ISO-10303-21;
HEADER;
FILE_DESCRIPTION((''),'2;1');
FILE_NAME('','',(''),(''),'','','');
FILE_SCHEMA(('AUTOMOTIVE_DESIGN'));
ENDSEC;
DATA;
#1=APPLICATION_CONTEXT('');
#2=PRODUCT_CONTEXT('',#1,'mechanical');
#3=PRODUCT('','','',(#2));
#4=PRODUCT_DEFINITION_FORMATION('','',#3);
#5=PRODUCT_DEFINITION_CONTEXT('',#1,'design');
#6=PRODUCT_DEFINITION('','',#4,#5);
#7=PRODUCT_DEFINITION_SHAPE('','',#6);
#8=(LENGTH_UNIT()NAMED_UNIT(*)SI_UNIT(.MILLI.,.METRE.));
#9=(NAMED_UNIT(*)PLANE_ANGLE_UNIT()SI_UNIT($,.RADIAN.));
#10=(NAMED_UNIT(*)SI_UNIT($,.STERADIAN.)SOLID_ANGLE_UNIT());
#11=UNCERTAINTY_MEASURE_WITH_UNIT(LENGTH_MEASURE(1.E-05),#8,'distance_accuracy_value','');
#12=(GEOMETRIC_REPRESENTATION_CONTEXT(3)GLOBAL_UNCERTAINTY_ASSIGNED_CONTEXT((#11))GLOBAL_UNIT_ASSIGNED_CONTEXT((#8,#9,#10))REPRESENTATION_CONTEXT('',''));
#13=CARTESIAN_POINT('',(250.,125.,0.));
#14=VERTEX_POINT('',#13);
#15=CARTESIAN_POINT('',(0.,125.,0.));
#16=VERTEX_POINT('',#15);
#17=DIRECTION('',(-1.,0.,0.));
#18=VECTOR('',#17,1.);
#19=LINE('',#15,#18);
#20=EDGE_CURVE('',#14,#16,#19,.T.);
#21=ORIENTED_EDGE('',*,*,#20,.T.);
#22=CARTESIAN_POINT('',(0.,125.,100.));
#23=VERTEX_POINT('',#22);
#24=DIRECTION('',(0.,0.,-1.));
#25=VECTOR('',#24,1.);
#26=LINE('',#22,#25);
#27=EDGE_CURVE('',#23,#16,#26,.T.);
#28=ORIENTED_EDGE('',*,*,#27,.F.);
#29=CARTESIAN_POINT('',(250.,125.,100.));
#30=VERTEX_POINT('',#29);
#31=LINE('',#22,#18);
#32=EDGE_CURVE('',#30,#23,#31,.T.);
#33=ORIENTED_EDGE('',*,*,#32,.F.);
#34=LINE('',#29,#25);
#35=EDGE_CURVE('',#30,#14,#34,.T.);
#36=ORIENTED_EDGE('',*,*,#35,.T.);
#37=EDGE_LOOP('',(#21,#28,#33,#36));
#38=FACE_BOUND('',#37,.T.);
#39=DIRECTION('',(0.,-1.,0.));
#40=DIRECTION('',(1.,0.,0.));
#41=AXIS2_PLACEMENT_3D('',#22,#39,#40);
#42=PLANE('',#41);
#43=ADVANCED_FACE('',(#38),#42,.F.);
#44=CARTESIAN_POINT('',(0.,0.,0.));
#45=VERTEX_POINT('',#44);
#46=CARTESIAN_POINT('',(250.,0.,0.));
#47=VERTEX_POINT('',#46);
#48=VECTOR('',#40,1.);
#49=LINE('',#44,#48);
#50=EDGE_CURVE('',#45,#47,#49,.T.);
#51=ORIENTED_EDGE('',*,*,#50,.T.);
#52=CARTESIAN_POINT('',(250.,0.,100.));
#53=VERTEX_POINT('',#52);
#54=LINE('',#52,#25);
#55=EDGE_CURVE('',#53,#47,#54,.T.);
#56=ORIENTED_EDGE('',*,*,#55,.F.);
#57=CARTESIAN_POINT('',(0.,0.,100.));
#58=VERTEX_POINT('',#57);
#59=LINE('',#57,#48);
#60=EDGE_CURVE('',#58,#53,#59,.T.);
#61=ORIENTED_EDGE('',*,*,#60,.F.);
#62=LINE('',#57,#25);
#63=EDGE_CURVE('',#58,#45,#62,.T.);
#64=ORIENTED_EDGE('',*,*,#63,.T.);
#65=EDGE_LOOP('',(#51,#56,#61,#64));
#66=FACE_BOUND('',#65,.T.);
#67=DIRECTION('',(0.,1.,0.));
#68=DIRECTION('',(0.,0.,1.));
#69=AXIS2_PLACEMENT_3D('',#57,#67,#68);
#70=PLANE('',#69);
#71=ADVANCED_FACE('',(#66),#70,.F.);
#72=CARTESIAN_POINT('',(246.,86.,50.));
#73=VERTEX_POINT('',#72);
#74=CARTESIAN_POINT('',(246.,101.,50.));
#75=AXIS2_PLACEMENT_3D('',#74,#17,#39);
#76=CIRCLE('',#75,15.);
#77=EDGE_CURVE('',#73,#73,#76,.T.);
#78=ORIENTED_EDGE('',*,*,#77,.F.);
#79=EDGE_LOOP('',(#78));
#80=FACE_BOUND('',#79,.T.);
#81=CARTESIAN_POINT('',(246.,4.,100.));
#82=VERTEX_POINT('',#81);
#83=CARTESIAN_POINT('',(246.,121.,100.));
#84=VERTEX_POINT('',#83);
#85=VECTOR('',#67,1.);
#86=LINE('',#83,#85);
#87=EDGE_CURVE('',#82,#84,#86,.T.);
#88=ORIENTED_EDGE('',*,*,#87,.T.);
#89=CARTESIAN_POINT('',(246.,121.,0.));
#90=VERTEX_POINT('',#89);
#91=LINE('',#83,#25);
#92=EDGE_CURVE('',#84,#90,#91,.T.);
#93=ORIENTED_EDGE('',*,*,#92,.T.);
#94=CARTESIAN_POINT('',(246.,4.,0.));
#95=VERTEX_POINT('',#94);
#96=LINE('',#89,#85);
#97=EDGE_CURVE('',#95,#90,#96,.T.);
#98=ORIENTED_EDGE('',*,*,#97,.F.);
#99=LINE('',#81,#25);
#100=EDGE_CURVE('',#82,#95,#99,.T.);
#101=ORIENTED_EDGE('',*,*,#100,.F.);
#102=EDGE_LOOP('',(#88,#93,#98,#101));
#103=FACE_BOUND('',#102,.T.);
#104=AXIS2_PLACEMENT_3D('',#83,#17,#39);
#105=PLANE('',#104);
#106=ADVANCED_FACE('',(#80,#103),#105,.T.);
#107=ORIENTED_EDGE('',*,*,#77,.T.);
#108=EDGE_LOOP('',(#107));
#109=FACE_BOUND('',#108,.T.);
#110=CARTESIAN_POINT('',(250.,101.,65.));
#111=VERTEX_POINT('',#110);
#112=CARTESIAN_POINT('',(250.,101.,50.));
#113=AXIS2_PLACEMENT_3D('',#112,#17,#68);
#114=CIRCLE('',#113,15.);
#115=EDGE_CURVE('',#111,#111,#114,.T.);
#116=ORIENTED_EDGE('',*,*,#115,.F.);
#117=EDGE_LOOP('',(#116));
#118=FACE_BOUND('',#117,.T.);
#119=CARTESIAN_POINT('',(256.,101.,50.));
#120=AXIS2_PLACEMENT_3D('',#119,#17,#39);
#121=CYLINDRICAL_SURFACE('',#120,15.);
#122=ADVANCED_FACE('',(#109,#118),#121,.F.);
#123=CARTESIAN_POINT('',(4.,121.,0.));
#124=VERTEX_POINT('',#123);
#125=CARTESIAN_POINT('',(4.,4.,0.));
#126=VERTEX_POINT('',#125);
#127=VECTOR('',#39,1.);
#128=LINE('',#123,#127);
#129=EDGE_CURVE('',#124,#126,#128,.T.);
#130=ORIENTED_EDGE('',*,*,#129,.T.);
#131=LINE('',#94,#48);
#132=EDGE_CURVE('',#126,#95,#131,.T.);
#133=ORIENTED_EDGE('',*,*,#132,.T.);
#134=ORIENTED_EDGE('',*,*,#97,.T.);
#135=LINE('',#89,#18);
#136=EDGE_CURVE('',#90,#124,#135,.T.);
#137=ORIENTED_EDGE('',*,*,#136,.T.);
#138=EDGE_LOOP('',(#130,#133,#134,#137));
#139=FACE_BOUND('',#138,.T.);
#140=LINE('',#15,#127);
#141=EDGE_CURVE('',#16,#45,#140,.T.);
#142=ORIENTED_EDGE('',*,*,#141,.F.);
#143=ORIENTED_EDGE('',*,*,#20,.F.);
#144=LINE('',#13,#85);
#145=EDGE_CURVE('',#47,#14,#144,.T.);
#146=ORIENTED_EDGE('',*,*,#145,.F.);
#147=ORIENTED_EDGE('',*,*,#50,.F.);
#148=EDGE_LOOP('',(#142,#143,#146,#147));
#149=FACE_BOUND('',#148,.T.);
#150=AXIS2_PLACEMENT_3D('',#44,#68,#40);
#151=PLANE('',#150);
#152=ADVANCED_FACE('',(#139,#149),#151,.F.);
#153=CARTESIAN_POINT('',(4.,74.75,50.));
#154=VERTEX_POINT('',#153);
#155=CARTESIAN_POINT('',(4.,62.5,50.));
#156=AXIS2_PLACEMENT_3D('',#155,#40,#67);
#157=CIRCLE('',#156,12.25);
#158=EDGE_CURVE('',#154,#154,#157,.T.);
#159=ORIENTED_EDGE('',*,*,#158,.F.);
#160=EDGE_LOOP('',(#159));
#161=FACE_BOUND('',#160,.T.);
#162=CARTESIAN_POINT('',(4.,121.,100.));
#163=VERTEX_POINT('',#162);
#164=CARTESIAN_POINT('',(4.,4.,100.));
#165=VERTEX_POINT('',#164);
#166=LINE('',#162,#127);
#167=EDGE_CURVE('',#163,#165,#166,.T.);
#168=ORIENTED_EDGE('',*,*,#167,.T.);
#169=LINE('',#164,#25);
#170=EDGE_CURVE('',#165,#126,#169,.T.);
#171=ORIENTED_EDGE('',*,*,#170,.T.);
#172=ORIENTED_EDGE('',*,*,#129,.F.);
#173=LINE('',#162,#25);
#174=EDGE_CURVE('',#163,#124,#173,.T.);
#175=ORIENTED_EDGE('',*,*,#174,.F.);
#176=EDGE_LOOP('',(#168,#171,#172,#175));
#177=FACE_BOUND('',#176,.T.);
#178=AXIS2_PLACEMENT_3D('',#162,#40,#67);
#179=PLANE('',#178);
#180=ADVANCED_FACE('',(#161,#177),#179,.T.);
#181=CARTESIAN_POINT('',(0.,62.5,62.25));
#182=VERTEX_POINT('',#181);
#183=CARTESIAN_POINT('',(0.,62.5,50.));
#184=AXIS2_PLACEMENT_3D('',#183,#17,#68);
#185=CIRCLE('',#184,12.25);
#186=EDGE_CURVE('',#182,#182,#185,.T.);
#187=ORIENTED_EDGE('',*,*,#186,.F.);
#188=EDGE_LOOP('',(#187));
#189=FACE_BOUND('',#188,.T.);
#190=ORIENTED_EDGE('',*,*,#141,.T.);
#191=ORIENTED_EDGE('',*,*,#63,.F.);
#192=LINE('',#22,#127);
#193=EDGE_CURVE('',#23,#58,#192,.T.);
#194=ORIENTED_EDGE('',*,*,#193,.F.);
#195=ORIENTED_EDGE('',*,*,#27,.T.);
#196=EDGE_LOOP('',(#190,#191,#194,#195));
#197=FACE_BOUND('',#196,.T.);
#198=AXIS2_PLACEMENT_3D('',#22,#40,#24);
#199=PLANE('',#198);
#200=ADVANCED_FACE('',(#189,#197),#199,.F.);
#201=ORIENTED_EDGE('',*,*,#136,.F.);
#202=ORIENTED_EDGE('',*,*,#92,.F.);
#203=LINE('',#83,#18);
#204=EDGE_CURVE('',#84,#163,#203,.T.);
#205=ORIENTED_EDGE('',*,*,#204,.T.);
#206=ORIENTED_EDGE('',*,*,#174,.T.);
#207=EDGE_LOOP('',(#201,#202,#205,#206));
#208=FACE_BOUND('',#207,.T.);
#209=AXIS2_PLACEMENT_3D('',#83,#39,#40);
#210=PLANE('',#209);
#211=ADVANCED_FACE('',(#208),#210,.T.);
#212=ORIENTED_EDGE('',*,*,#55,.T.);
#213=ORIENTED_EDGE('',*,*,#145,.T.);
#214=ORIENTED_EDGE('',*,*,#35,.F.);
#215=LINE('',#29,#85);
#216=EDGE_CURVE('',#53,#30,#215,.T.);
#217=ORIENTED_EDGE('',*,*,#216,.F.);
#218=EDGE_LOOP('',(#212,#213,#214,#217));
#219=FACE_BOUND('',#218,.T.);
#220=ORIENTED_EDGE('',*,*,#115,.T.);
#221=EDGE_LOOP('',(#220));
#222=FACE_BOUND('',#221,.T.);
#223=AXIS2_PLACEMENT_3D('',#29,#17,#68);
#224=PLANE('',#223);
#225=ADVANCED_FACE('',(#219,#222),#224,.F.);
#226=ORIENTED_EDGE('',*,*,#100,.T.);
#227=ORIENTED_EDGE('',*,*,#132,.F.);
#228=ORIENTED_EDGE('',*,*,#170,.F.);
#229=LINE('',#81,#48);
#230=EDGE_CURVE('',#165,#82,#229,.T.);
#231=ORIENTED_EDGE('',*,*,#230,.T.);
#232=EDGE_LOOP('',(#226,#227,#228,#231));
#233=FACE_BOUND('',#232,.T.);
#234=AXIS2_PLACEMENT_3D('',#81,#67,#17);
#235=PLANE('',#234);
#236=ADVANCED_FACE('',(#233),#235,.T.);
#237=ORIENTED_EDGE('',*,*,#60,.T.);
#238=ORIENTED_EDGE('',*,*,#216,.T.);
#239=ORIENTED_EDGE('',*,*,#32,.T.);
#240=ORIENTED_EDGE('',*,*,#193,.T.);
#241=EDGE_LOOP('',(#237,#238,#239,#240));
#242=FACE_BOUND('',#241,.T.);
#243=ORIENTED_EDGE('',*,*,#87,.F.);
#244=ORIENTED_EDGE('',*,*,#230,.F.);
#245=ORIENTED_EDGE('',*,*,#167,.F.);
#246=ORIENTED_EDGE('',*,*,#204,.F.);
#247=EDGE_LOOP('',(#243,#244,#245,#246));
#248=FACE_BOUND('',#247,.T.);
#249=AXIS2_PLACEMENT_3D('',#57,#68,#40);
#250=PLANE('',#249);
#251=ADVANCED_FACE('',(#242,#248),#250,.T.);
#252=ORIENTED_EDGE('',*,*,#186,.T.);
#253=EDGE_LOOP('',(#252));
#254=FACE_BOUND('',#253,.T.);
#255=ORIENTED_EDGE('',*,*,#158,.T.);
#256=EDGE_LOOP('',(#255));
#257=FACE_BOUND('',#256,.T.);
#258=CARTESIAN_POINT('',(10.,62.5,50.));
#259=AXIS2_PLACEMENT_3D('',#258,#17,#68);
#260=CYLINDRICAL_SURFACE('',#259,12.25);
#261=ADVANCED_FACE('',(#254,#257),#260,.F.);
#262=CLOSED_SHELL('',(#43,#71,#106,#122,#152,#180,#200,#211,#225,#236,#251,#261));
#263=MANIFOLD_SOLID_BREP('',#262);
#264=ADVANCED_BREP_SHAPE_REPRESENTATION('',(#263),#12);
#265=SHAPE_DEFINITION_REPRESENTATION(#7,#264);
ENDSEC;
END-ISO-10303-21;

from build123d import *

# Parameters (mm, degrees)
SKIZZE1_W                       = 250
SKIZZE1_H                       = 125
SKIZZE1_W_2                     = 242
SKIZZE1_H_2                     = 117
AUFSATZ_LINEAR_AUSTRAGEN1_DEPTH = 100
SKIZZE2_R                       = 12.25
SCHNITT_LINEAR_AUSTRAGEN1_DEPTH = 10
SKIZZE3_R                       = 15
SCHNITT_LINEAR_AUSTRAGEN2_DEPTH = 10


with BuildPart() as part:
    # Skizze1 → Aufsatz-Linear austragen1 (new body)
    with BuildSketch(Plane.XY):
        with Locations((125, 62.5)):
            Rectangle(SKIZZE1_W, SKIZZE1_H)
        with Locations((125, 62.5)):
            Rectangle(SKIZZE1_W_2, SKIZZE1_H_2, mode=Mode.SUBTRACT)
    extrude(amount=AUFSATZ_LINEAR_AUSTRAGEN1_DEPTH)

    # Skizze2 → Schnitt-Linear austragen1 (cut)
    with BuildSketch(Plane.ZY):
        with Locations((50, 62.5)):
            Circle(SKIZZE2_R)
    extrude(amount=-SCHNITT_LINEAR_AUSTRAGEN1_DEPTH, mode=Mode.SUBTRACT)

    # Skizze3 → Schnitt-Linear austragen2 (cut)
    with BuildSketch(Plane.ZY.offset(-246)):
        with Locations(Location((50, 101, 0), (0, 0, 270))):
            Circle(SKIZZE3_R)
    extrude(amount=-SCHNITT_LINEAR_AUSTRAGEN2_DEPTH, mode=Mode.SUBTRACT)


solid = part.part
